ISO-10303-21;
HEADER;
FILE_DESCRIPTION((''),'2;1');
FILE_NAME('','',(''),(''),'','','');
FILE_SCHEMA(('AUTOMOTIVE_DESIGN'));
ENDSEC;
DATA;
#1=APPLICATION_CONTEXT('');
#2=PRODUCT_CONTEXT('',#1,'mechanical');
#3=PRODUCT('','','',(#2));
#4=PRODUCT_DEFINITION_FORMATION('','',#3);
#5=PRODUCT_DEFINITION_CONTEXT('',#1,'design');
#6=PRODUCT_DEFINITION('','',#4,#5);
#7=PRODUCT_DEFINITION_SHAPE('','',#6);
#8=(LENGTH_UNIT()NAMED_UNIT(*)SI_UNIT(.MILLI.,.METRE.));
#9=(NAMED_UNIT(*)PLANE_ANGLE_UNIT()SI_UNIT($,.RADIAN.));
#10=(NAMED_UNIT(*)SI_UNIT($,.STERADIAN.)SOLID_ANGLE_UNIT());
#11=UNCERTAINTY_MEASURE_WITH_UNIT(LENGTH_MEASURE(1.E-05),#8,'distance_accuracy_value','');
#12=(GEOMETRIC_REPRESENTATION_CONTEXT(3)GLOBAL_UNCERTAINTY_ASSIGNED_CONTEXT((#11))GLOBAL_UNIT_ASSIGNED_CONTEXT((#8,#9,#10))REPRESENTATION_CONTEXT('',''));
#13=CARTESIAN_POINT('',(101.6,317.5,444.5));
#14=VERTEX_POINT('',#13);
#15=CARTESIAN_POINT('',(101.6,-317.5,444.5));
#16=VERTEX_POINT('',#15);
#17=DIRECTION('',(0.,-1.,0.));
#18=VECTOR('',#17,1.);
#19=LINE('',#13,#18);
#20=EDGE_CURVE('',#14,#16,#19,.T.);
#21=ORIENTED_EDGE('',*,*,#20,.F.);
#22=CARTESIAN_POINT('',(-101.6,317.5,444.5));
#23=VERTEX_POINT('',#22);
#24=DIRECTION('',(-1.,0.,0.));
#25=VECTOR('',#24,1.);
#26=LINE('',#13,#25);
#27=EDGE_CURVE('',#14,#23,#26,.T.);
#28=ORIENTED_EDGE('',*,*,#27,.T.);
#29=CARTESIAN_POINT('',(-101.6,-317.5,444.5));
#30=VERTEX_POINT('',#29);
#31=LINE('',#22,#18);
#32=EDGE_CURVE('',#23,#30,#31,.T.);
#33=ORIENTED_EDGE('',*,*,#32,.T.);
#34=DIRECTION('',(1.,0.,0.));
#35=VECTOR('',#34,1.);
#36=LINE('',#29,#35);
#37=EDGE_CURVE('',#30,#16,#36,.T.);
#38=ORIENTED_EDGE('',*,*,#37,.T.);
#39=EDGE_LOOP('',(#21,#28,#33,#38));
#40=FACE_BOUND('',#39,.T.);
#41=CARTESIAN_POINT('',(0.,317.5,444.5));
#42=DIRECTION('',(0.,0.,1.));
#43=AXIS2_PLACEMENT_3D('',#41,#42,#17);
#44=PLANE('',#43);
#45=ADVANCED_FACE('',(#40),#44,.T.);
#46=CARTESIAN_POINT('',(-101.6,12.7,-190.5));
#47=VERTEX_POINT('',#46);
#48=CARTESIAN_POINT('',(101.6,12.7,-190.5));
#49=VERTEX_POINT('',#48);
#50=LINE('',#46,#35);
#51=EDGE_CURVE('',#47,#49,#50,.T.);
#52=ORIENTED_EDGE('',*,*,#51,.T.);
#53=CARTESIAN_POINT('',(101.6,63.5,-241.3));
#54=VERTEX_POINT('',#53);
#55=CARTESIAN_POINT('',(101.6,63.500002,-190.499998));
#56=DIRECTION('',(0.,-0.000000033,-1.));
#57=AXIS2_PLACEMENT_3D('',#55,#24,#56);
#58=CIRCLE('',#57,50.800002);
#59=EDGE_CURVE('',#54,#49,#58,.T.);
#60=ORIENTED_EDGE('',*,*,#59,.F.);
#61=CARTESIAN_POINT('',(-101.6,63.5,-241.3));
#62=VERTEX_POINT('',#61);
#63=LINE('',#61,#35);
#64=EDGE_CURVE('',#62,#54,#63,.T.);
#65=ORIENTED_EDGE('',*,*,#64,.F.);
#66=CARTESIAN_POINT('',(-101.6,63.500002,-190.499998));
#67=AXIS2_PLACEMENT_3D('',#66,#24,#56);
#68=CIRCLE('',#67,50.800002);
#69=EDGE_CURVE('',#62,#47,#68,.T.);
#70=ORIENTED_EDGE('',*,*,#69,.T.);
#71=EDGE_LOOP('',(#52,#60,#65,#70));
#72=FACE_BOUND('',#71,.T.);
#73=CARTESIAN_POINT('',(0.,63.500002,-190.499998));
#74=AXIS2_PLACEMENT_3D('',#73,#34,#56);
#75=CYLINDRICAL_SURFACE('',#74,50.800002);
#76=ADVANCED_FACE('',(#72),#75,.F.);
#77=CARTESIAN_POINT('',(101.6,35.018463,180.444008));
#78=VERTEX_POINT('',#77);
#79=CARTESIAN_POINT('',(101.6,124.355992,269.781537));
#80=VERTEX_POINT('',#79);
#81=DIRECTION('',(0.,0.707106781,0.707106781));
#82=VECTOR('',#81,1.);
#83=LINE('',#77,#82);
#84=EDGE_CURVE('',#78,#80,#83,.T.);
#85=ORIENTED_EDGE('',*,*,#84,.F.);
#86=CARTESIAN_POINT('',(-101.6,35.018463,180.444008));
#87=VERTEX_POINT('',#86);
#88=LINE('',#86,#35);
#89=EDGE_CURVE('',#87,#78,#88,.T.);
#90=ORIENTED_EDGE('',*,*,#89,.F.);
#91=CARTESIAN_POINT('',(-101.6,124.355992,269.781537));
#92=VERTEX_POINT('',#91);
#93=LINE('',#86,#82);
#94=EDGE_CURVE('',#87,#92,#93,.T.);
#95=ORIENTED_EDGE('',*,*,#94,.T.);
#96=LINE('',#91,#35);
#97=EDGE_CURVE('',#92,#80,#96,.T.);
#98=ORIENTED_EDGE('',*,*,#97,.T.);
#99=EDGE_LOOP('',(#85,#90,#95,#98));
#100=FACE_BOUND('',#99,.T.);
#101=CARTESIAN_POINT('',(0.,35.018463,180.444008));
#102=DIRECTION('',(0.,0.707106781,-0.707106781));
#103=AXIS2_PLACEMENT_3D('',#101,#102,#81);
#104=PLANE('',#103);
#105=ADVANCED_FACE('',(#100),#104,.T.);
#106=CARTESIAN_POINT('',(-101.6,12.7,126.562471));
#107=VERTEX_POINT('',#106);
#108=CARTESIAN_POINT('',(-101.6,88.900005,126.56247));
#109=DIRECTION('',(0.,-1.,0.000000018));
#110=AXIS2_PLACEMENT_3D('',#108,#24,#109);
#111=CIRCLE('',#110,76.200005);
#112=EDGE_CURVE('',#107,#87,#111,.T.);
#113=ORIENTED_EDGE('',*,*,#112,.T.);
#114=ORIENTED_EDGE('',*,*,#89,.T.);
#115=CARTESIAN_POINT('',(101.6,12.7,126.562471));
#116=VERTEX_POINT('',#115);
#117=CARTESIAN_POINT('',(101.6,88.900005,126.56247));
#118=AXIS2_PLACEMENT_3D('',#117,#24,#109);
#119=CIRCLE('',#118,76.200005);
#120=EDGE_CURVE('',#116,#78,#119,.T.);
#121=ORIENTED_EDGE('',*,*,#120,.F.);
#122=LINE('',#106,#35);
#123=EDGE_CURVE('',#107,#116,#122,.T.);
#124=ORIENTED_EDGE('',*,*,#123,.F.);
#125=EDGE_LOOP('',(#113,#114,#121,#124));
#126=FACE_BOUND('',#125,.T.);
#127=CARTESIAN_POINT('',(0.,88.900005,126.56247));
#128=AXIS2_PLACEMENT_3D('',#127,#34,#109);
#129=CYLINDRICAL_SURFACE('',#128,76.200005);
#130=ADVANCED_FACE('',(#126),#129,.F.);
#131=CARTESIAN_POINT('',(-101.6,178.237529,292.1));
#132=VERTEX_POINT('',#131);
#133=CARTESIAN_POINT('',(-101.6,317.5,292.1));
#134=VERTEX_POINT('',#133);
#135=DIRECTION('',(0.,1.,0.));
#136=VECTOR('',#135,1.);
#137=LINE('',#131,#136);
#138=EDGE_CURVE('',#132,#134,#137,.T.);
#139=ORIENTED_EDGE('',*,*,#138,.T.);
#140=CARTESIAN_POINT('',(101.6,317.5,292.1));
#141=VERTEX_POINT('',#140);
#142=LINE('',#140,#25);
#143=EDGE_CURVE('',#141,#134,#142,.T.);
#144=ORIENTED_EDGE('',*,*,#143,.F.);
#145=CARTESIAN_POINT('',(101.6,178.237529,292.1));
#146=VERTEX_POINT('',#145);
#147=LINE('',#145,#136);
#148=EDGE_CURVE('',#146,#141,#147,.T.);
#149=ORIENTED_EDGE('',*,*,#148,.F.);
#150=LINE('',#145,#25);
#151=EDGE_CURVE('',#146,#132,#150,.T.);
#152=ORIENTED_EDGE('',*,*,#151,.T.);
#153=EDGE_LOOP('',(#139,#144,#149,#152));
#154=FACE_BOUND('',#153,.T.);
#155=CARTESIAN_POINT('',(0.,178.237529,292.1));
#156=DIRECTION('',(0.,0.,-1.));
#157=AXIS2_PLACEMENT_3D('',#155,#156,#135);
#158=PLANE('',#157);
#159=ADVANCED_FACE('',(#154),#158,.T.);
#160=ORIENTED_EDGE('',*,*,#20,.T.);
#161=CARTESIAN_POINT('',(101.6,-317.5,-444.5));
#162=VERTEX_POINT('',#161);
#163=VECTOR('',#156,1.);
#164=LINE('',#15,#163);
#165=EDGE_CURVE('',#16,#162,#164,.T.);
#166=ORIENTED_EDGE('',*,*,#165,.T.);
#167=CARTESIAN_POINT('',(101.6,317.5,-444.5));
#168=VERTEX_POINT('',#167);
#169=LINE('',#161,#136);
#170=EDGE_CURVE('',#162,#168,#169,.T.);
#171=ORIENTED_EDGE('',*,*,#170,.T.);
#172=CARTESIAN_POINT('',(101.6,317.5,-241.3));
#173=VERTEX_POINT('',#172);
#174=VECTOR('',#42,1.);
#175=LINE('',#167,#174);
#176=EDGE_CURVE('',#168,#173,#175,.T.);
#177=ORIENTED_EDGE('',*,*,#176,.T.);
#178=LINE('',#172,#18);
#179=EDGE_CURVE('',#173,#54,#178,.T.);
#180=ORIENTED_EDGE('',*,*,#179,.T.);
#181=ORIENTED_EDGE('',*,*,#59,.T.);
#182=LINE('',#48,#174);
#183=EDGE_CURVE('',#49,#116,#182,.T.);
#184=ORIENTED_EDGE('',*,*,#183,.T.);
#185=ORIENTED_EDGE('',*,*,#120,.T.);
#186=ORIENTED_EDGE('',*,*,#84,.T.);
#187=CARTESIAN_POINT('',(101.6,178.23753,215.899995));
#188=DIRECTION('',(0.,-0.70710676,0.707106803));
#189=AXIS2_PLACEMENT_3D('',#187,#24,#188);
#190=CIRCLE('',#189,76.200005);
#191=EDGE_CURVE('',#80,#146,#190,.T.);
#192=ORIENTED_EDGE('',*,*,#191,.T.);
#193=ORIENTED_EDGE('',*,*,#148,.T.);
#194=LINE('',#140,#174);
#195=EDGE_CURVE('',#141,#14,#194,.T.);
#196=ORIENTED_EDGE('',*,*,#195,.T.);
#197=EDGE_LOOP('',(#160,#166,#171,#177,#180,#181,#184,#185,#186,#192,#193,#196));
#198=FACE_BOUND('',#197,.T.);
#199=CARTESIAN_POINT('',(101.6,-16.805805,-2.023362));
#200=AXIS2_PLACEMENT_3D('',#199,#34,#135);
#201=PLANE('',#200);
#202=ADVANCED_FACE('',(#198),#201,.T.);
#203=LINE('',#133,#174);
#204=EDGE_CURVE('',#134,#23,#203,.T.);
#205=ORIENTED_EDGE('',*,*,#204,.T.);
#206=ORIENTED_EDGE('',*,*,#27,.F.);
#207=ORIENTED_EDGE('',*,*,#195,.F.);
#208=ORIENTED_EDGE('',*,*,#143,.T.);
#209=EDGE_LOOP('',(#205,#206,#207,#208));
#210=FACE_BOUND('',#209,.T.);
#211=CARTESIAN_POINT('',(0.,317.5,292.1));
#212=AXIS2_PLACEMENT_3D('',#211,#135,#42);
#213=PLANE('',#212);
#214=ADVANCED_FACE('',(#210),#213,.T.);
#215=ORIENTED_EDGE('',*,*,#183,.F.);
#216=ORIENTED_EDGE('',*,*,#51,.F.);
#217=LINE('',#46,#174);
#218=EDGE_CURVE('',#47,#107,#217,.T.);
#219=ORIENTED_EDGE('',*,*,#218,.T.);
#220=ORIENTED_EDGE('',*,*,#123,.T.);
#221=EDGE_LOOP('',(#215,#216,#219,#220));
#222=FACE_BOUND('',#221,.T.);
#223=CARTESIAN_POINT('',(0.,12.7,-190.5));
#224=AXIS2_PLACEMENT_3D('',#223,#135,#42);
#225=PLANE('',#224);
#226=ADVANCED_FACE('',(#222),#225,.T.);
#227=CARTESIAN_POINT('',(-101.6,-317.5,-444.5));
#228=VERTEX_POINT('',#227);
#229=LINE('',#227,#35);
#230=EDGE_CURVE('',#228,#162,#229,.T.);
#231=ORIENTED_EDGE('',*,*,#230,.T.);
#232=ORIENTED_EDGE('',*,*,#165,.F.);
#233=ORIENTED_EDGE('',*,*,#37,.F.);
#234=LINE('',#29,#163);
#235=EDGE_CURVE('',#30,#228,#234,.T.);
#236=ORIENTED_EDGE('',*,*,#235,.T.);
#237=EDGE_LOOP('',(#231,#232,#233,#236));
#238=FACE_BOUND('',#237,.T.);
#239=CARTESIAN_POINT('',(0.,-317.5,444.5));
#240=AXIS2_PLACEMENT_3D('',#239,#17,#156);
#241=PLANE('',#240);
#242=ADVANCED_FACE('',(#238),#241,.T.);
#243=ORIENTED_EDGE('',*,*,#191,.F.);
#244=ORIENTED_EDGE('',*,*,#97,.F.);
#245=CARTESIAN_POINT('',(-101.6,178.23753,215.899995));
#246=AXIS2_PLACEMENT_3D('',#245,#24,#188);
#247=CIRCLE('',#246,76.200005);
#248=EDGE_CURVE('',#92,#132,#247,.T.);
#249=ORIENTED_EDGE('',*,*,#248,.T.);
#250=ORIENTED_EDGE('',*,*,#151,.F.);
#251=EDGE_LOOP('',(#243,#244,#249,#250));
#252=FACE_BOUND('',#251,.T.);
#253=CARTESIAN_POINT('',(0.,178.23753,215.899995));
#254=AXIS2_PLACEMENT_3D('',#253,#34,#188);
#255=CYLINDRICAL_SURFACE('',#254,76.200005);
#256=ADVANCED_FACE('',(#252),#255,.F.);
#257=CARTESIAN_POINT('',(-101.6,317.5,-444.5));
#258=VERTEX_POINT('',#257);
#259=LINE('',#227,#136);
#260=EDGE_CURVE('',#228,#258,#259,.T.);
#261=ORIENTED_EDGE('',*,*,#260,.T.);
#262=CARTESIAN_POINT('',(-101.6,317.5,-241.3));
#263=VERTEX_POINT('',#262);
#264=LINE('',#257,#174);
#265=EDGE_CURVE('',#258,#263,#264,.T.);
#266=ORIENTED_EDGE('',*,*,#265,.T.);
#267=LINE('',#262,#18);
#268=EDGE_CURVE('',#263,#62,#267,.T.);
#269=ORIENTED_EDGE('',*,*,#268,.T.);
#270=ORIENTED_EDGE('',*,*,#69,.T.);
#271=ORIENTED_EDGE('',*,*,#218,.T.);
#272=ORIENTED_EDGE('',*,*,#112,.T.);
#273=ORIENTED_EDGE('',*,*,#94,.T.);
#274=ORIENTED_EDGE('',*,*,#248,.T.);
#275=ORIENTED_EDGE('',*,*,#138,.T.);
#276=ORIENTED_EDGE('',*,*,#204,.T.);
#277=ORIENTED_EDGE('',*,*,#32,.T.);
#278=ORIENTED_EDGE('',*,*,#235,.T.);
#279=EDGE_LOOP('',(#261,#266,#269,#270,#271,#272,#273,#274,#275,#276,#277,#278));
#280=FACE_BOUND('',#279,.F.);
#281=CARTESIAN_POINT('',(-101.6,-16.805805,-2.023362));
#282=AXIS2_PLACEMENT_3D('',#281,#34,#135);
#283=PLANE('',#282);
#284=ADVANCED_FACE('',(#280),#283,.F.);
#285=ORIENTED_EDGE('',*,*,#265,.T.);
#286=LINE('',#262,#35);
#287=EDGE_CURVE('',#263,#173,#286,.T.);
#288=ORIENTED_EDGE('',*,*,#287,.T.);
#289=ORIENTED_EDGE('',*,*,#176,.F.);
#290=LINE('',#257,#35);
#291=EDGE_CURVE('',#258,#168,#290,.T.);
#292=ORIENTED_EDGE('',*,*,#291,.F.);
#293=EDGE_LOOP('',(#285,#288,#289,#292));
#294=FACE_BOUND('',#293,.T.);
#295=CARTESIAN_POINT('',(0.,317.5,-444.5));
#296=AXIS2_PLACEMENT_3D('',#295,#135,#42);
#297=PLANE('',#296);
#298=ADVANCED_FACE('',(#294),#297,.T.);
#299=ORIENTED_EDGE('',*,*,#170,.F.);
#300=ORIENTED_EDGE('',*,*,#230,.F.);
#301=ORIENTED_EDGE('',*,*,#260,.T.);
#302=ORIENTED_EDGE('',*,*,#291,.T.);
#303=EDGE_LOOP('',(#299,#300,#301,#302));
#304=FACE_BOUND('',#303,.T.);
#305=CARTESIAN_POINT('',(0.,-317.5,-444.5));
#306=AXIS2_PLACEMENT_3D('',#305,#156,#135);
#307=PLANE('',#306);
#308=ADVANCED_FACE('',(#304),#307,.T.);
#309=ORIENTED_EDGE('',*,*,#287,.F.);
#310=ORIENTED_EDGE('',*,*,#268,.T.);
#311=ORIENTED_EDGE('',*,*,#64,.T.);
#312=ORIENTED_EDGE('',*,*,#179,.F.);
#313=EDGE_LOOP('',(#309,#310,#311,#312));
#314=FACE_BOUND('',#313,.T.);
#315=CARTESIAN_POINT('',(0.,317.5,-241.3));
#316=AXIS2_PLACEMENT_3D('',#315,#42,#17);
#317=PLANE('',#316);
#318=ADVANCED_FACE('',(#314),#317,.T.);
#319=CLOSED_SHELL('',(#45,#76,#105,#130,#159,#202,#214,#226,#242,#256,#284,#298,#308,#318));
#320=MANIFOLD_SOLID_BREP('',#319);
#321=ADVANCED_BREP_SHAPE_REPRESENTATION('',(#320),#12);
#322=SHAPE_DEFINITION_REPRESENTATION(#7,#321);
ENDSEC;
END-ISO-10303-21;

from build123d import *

# Parameters (mm, degrees)
F1_DEPTH = 101.6


with BuildPart() as f1:
    # F0 (on Right) → F1 (new body, symmetric)
    with BuildSketch(Plane.YZ):
        with BuildLine():
            Line((317.5, 444.5), (-317.5, 444.5))
            Line((-317.5, 444.5), (-317.5, -444.5))
            Line((-317.5, -444.5), (317.5, -444.5))
            Line((317.5, -444.5), (317.5, -241.3))
            Line((317.5, -241.3), (63.5, -241.3))
            ThreePointArc((63.5, -241.3), (27.578976, -226.421024), (12.7, -190.5))
            Line((12.7, -190.5), (12.7, 126.562471))
            ThreePointArc((12.7, 126.562471), (18.50038, 155.722949), (35.018463, 180.444008))
            Line((35.018463, 180.444008), (124.355992, 269.781537))
            ThreePointArc((124.355992, 269.781537), (149.077051, 286.29962), (178.237529, 292.1))
            Line((178.237529, 292.1), (317.5, 292.1))
            Line((317.5, 292.1), (317.5, 444.5))
        make_face()
    extrude(amount=F1_DEPTH, both=True)


solid = f1.part
